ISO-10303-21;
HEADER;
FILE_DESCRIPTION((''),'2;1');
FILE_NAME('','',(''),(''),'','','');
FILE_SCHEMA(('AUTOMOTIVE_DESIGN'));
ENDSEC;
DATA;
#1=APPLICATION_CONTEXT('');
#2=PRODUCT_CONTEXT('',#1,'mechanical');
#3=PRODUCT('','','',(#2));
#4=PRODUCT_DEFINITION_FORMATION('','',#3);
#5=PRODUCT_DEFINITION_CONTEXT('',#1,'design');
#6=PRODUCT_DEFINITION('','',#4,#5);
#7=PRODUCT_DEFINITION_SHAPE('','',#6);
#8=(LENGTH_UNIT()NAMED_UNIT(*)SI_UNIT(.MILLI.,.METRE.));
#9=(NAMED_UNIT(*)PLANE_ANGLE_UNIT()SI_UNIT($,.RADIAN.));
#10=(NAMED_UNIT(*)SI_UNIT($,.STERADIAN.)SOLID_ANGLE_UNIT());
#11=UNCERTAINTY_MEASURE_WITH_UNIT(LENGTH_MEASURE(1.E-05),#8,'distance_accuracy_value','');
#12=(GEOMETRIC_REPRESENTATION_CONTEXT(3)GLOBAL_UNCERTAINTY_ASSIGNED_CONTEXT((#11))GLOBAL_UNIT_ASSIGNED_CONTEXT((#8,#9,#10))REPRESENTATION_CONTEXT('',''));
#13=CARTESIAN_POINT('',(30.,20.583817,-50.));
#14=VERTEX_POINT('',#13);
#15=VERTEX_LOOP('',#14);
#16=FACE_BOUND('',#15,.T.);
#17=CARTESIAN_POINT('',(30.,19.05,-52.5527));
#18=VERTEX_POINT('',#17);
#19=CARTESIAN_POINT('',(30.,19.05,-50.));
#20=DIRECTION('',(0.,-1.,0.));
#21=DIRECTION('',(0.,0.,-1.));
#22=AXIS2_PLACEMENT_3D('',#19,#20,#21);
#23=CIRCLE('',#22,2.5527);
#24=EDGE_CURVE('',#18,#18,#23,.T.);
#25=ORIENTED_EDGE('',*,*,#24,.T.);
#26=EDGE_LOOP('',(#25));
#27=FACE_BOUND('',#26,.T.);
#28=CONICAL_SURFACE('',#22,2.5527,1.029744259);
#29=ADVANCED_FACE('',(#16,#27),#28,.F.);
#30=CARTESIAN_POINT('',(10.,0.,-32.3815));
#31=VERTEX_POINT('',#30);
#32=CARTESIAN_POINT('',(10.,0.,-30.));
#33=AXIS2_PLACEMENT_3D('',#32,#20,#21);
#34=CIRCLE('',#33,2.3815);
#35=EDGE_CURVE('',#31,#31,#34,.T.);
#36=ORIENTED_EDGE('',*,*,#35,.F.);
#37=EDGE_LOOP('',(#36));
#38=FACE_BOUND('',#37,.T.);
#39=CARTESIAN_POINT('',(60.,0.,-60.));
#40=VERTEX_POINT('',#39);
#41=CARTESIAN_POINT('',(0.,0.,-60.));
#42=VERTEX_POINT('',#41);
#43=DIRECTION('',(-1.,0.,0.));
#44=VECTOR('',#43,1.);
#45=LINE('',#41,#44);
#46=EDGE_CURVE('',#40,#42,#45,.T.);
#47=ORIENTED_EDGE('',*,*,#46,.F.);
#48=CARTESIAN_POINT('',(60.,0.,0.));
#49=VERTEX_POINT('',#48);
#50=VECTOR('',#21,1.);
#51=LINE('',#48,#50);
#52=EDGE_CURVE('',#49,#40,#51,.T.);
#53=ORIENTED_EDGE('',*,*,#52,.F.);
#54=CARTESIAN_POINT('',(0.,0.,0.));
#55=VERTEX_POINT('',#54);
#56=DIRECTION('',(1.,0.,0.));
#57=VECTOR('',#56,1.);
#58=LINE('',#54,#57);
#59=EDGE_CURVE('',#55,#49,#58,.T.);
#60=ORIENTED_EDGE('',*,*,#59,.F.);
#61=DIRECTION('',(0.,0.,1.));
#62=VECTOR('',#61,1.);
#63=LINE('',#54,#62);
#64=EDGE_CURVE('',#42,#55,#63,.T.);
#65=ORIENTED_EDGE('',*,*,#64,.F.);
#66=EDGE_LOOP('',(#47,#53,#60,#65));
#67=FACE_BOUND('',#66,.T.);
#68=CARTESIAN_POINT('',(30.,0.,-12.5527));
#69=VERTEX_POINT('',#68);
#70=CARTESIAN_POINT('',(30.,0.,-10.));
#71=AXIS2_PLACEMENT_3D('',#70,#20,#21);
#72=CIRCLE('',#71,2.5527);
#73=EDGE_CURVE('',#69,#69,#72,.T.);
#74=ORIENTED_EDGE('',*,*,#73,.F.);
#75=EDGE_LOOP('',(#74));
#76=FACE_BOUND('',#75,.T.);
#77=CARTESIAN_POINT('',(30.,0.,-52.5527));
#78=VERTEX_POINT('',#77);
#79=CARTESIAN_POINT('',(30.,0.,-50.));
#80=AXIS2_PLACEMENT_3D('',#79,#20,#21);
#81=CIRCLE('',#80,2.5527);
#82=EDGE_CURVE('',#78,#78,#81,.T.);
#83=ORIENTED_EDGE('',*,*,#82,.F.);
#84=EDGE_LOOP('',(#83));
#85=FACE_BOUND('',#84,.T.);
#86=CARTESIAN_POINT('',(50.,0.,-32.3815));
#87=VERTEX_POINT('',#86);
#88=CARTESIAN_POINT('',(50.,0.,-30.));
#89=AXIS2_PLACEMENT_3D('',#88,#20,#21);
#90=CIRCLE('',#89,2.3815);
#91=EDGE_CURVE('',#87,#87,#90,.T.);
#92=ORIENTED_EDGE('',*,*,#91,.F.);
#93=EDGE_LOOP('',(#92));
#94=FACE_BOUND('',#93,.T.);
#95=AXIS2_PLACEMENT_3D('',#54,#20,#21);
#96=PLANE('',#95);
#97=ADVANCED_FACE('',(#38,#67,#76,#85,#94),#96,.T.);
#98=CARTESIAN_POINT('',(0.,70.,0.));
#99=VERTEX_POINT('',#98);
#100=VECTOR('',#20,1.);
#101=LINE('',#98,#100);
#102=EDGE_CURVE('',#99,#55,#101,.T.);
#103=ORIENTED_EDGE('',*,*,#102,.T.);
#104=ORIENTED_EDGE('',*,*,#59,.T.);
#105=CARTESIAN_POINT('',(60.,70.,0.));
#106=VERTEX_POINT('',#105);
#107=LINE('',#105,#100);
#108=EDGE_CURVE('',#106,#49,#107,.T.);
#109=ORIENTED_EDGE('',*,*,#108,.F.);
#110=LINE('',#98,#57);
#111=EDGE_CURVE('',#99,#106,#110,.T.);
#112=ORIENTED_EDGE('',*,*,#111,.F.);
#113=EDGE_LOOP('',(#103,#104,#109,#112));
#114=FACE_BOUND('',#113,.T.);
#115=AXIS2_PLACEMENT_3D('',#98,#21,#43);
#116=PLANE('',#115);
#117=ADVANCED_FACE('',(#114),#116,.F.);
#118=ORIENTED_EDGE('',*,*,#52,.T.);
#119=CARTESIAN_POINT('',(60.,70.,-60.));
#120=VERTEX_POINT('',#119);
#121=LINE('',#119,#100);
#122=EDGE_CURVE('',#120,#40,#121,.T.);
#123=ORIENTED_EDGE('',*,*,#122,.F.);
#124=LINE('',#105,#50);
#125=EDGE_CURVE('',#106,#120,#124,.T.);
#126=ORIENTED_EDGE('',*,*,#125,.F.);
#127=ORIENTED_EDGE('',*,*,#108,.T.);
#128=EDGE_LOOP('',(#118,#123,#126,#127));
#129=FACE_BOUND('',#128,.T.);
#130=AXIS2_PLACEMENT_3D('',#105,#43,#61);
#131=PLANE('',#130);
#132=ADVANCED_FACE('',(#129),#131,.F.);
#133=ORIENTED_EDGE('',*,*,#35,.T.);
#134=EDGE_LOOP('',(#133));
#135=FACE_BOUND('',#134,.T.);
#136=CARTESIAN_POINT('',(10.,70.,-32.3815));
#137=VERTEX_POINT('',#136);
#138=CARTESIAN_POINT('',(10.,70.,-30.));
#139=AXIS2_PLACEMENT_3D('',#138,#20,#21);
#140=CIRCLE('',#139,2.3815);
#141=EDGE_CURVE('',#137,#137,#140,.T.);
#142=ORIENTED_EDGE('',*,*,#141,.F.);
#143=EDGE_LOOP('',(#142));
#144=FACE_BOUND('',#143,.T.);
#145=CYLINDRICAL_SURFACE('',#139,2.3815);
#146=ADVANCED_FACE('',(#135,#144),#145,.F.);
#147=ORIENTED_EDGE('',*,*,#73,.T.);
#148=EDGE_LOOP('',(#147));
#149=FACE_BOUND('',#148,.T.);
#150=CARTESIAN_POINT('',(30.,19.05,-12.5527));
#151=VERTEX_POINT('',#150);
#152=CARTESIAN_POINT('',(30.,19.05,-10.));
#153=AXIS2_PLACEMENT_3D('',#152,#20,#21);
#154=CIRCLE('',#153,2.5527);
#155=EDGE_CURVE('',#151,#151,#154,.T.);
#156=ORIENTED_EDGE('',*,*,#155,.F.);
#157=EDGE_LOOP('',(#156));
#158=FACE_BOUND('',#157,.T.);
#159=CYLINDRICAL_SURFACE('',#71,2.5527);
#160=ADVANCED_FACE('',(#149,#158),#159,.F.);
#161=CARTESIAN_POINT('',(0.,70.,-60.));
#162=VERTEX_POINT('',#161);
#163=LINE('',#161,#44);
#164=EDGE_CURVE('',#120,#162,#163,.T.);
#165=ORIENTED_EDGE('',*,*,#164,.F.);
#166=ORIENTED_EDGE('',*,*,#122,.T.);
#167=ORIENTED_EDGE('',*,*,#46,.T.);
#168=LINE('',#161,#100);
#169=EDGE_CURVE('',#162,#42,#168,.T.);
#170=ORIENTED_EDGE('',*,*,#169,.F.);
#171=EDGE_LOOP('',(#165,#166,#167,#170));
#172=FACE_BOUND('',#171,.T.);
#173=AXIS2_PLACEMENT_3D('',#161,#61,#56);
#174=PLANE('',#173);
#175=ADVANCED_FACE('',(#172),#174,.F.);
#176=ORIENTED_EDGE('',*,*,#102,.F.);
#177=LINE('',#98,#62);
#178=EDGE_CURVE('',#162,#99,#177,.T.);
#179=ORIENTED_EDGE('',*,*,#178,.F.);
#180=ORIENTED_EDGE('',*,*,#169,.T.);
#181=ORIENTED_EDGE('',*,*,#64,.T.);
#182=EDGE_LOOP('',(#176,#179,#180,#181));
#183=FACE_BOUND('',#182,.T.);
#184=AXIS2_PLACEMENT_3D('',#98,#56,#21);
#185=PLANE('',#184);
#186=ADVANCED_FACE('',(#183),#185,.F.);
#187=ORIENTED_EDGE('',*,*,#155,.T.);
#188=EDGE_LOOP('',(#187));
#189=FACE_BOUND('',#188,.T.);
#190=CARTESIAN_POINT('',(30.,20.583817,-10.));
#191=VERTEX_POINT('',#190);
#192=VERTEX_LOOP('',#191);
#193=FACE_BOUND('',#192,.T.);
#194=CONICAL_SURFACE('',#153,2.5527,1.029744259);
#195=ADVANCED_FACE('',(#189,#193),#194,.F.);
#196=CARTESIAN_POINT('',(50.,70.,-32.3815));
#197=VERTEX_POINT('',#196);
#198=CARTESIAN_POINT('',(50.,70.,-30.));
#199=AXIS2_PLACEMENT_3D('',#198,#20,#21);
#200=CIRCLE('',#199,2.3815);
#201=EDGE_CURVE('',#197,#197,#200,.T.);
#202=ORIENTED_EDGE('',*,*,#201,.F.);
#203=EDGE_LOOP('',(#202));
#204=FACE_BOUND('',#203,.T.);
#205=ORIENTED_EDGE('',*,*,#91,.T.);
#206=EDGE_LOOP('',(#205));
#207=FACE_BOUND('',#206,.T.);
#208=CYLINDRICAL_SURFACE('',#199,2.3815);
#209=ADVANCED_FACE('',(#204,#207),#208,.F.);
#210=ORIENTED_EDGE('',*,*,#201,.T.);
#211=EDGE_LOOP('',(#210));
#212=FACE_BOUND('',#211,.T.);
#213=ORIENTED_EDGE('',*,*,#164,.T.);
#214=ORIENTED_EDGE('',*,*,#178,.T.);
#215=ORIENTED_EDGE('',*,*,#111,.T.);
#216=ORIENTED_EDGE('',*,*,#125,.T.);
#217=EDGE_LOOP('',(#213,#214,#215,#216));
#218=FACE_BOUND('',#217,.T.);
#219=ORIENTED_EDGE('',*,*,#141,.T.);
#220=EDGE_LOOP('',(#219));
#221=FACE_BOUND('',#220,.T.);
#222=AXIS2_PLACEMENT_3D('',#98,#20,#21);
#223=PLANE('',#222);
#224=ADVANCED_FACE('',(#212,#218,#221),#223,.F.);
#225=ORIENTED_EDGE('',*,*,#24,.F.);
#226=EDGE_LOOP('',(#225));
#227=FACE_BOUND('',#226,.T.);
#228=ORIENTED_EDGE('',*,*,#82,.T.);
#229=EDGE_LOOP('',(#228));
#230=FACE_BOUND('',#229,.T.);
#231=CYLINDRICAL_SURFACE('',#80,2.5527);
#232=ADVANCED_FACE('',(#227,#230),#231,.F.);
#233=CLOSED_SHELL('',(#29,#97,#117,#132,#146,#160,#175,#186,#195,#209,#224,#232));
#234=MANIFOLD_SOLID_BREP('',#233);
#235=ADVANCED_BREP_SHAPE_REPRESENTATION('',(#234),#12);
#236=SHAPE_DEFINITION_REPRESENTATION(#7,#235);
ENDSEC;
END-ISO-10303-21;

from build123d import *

# Parameters (mm, degrees)
SKETCH1_W                   = 60
SKETCH1_H                   = 60
BOSS_EXTRUDE1_DEPTH         = 70
SKETCH2_R                   = 2.3815
CUT_EXTRUDE1_DEPTH          = 71
F_1_4_20_TAPPED_HOLE1_D     = 5.1054
F_1_4_20_TAPPED_HOLE1_DEPTH = 19.05
F_1_4_20_TAPPED_HOLE1_TIP   = 1.533816902


with BuildPart() as part:
    # Sketch1 → Boss-Extrude1 (new body)
    with BuildSketch(Plane(origin=(0, 0, 0), x_dir=(1, 0, 0), z_dir=(0, 1, 0))):
        with Locations((30, 30)):
            Rectangle(SKETCH1_W, SKETCH1_H)
    extrude(amount=BOSS_EXTRUDE1_DEPTH)

    # Sketch2 → Cut-Extrude1 (cut, through all)
    with BuildSketch(Plane.XZ):
        with Locations(Location((10, -30, 0), (0, 0, 270))):  # turned: the seam where the file's is
            Circle(SKETCH2_R)
        with Locations(Location((50, -30, 0), (0, 0, 270))):  # turned: the seam where the file's is
            Circle(SKETCH2_R)
    extrude(amount=-CUT_EXTRUDE1_DEPTH, mode=Mode.SUBTRACT)

    # 1/4-20 Tapped Hole1
    with Locations(Plane(origin=(30, 0, -10), x_dir=(0, 0, -1), z_dir=(0, -1, 0))):
        with Locations((0, 0), (40, 0)):
            Hole(F_1_4_20_TAPPED_HOLE1_D / 2, depth=F_1_4_20_TAPPED_HOLE1_DEPTH)
            with Locations((0, 0, -(F_1_4_20_TAPPED_HOLE1_DEPTH + F_1_4_20_TAPPED_HOLE1_TIP / 2))):  # 118° drill point
                Cone(0, F_1_4_20_TAPPED_HOLE1_D / 2, F_1_4_20_TAPPED_HOLE1_TIP, mode=Mode.SUBTRACT)


solid = part.part
